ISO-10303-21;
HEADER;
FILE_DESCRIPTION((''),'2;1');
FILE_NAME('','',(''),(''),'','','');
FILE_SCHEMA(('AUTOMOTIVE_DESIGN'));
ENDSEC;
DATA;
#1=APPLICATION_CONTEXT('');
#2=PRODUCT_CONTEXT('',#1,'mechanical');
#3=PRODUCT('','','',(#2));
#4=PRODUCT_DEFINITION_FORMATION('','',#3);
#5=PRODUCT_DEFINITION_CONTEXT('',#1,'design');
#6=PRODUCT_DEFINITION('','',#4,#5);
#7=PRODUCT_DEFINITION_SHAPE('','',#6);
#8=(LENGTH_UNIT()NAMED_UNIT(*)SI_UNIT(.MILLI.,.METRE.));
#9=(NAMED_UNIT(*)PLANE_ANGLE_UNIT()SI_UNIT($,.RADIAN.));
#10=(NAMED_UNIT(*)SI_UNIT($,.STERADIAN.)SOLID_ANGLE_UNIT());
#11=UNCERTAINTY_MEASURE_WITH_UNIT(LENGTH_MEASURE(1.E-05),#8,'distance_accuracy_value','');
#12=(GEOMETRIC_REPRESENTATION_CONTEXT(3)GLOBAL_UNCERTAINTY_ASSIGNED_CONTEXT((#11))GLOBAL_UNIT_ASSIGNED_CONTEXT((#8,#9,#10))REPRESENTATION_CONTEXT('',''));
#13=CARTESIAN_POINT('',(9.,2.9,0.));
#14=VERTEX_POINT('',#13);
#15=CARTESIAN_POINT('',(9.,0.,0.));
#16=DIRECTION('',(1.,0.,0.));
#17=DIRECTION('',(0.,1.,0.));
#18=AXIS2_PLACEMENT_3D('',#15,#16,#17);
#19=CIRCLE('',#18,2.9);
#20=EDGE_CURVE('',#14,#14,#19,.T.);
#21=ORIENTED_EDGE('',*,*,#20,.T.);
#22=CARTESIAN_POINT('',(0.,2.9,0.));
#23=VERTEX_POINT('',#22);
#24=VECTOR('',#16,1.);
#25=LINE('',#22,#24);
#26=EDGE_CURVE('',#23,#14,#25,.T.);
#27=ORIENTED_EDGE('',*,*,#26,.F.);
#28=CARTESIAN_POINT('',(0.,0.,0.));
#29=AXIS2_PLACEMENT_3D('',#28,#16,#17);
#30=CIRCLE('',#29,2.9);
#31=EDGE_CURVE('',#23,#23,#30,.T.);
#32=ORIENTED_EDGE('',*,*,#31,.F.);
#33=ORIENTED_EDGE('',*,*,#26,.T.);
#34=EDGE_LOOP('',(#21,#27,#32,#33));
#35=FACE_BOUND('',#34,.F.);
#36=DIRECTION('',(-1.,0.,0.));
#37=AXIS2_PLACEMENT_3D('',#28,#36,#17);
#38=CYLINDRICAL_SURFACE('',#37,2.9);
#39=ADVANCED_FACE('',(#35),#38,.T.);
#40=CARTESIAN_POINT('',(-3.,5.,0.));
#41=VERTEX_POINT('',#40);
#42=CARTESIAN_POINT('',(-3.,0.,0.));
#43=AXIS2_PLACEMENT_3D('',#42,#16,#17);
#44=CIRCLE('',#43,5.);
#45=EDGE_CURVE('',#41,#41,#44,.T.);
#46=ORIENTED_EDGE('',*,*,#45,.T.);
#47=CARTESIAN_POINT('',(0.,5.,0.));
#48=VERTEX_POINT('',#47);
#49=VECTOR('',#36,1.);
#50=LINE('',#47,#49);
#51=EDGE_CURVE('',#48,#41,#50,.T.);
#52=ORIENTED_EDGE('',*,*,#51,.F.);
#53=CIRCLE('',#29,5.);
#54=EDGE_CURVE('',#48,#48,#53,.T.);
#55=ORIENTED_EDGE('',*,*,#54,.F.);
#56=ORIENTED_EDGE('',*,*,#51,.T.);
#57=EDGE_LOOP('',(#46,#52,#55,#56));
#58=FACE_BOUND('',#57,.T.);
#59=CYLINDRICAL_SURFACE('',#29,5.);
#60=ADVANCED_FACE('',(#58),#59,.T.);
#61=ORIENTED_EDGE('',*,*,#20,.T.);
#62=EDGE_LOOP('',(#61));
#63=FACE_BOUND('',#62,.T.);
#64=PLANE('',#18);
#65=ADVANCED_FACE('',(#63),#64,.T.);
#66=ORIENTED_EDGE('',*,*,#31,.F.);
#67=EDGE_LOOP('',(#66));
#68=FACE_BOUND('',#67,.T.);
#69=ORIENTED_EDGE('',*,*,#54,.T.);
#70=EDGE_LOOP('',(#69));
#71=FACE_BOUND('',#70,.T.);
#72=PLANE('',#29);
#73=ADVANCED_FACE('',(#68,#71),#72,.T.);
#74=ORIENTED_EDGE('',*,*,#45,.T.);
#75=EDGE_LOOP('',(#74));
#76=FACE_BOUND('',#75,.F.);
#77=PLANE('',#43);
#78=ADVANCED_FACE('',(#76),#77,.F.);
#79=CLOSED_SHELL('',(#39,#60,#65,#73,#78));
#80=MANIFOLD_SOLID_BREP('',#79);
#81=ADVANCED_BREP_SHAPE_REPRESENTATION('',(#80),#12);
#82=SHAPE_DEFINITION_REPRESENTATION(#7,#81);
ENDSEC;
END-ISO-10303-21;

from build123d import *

# Parameters (mm, degrees)
SKETCH_R     = 2.9
PAD_DEPTH    = 9
SKETCH001_R  = 5
PAD001_DEPTH = 3


with BuildPart() as part:
    # Sketch → Pad (new body)
    with BuildSketch(Plane.YZ):
        Circle(SKETCH_R)
    extrude(amount=PAD_DEPTH)

    # Sketch001 → Pad001 (join)
    with BuildSketch(Plane.YZ):
        Circle(SKETCH001_R)
    extrude(amount=-PAD001_DEPTH)


solid = part.part
